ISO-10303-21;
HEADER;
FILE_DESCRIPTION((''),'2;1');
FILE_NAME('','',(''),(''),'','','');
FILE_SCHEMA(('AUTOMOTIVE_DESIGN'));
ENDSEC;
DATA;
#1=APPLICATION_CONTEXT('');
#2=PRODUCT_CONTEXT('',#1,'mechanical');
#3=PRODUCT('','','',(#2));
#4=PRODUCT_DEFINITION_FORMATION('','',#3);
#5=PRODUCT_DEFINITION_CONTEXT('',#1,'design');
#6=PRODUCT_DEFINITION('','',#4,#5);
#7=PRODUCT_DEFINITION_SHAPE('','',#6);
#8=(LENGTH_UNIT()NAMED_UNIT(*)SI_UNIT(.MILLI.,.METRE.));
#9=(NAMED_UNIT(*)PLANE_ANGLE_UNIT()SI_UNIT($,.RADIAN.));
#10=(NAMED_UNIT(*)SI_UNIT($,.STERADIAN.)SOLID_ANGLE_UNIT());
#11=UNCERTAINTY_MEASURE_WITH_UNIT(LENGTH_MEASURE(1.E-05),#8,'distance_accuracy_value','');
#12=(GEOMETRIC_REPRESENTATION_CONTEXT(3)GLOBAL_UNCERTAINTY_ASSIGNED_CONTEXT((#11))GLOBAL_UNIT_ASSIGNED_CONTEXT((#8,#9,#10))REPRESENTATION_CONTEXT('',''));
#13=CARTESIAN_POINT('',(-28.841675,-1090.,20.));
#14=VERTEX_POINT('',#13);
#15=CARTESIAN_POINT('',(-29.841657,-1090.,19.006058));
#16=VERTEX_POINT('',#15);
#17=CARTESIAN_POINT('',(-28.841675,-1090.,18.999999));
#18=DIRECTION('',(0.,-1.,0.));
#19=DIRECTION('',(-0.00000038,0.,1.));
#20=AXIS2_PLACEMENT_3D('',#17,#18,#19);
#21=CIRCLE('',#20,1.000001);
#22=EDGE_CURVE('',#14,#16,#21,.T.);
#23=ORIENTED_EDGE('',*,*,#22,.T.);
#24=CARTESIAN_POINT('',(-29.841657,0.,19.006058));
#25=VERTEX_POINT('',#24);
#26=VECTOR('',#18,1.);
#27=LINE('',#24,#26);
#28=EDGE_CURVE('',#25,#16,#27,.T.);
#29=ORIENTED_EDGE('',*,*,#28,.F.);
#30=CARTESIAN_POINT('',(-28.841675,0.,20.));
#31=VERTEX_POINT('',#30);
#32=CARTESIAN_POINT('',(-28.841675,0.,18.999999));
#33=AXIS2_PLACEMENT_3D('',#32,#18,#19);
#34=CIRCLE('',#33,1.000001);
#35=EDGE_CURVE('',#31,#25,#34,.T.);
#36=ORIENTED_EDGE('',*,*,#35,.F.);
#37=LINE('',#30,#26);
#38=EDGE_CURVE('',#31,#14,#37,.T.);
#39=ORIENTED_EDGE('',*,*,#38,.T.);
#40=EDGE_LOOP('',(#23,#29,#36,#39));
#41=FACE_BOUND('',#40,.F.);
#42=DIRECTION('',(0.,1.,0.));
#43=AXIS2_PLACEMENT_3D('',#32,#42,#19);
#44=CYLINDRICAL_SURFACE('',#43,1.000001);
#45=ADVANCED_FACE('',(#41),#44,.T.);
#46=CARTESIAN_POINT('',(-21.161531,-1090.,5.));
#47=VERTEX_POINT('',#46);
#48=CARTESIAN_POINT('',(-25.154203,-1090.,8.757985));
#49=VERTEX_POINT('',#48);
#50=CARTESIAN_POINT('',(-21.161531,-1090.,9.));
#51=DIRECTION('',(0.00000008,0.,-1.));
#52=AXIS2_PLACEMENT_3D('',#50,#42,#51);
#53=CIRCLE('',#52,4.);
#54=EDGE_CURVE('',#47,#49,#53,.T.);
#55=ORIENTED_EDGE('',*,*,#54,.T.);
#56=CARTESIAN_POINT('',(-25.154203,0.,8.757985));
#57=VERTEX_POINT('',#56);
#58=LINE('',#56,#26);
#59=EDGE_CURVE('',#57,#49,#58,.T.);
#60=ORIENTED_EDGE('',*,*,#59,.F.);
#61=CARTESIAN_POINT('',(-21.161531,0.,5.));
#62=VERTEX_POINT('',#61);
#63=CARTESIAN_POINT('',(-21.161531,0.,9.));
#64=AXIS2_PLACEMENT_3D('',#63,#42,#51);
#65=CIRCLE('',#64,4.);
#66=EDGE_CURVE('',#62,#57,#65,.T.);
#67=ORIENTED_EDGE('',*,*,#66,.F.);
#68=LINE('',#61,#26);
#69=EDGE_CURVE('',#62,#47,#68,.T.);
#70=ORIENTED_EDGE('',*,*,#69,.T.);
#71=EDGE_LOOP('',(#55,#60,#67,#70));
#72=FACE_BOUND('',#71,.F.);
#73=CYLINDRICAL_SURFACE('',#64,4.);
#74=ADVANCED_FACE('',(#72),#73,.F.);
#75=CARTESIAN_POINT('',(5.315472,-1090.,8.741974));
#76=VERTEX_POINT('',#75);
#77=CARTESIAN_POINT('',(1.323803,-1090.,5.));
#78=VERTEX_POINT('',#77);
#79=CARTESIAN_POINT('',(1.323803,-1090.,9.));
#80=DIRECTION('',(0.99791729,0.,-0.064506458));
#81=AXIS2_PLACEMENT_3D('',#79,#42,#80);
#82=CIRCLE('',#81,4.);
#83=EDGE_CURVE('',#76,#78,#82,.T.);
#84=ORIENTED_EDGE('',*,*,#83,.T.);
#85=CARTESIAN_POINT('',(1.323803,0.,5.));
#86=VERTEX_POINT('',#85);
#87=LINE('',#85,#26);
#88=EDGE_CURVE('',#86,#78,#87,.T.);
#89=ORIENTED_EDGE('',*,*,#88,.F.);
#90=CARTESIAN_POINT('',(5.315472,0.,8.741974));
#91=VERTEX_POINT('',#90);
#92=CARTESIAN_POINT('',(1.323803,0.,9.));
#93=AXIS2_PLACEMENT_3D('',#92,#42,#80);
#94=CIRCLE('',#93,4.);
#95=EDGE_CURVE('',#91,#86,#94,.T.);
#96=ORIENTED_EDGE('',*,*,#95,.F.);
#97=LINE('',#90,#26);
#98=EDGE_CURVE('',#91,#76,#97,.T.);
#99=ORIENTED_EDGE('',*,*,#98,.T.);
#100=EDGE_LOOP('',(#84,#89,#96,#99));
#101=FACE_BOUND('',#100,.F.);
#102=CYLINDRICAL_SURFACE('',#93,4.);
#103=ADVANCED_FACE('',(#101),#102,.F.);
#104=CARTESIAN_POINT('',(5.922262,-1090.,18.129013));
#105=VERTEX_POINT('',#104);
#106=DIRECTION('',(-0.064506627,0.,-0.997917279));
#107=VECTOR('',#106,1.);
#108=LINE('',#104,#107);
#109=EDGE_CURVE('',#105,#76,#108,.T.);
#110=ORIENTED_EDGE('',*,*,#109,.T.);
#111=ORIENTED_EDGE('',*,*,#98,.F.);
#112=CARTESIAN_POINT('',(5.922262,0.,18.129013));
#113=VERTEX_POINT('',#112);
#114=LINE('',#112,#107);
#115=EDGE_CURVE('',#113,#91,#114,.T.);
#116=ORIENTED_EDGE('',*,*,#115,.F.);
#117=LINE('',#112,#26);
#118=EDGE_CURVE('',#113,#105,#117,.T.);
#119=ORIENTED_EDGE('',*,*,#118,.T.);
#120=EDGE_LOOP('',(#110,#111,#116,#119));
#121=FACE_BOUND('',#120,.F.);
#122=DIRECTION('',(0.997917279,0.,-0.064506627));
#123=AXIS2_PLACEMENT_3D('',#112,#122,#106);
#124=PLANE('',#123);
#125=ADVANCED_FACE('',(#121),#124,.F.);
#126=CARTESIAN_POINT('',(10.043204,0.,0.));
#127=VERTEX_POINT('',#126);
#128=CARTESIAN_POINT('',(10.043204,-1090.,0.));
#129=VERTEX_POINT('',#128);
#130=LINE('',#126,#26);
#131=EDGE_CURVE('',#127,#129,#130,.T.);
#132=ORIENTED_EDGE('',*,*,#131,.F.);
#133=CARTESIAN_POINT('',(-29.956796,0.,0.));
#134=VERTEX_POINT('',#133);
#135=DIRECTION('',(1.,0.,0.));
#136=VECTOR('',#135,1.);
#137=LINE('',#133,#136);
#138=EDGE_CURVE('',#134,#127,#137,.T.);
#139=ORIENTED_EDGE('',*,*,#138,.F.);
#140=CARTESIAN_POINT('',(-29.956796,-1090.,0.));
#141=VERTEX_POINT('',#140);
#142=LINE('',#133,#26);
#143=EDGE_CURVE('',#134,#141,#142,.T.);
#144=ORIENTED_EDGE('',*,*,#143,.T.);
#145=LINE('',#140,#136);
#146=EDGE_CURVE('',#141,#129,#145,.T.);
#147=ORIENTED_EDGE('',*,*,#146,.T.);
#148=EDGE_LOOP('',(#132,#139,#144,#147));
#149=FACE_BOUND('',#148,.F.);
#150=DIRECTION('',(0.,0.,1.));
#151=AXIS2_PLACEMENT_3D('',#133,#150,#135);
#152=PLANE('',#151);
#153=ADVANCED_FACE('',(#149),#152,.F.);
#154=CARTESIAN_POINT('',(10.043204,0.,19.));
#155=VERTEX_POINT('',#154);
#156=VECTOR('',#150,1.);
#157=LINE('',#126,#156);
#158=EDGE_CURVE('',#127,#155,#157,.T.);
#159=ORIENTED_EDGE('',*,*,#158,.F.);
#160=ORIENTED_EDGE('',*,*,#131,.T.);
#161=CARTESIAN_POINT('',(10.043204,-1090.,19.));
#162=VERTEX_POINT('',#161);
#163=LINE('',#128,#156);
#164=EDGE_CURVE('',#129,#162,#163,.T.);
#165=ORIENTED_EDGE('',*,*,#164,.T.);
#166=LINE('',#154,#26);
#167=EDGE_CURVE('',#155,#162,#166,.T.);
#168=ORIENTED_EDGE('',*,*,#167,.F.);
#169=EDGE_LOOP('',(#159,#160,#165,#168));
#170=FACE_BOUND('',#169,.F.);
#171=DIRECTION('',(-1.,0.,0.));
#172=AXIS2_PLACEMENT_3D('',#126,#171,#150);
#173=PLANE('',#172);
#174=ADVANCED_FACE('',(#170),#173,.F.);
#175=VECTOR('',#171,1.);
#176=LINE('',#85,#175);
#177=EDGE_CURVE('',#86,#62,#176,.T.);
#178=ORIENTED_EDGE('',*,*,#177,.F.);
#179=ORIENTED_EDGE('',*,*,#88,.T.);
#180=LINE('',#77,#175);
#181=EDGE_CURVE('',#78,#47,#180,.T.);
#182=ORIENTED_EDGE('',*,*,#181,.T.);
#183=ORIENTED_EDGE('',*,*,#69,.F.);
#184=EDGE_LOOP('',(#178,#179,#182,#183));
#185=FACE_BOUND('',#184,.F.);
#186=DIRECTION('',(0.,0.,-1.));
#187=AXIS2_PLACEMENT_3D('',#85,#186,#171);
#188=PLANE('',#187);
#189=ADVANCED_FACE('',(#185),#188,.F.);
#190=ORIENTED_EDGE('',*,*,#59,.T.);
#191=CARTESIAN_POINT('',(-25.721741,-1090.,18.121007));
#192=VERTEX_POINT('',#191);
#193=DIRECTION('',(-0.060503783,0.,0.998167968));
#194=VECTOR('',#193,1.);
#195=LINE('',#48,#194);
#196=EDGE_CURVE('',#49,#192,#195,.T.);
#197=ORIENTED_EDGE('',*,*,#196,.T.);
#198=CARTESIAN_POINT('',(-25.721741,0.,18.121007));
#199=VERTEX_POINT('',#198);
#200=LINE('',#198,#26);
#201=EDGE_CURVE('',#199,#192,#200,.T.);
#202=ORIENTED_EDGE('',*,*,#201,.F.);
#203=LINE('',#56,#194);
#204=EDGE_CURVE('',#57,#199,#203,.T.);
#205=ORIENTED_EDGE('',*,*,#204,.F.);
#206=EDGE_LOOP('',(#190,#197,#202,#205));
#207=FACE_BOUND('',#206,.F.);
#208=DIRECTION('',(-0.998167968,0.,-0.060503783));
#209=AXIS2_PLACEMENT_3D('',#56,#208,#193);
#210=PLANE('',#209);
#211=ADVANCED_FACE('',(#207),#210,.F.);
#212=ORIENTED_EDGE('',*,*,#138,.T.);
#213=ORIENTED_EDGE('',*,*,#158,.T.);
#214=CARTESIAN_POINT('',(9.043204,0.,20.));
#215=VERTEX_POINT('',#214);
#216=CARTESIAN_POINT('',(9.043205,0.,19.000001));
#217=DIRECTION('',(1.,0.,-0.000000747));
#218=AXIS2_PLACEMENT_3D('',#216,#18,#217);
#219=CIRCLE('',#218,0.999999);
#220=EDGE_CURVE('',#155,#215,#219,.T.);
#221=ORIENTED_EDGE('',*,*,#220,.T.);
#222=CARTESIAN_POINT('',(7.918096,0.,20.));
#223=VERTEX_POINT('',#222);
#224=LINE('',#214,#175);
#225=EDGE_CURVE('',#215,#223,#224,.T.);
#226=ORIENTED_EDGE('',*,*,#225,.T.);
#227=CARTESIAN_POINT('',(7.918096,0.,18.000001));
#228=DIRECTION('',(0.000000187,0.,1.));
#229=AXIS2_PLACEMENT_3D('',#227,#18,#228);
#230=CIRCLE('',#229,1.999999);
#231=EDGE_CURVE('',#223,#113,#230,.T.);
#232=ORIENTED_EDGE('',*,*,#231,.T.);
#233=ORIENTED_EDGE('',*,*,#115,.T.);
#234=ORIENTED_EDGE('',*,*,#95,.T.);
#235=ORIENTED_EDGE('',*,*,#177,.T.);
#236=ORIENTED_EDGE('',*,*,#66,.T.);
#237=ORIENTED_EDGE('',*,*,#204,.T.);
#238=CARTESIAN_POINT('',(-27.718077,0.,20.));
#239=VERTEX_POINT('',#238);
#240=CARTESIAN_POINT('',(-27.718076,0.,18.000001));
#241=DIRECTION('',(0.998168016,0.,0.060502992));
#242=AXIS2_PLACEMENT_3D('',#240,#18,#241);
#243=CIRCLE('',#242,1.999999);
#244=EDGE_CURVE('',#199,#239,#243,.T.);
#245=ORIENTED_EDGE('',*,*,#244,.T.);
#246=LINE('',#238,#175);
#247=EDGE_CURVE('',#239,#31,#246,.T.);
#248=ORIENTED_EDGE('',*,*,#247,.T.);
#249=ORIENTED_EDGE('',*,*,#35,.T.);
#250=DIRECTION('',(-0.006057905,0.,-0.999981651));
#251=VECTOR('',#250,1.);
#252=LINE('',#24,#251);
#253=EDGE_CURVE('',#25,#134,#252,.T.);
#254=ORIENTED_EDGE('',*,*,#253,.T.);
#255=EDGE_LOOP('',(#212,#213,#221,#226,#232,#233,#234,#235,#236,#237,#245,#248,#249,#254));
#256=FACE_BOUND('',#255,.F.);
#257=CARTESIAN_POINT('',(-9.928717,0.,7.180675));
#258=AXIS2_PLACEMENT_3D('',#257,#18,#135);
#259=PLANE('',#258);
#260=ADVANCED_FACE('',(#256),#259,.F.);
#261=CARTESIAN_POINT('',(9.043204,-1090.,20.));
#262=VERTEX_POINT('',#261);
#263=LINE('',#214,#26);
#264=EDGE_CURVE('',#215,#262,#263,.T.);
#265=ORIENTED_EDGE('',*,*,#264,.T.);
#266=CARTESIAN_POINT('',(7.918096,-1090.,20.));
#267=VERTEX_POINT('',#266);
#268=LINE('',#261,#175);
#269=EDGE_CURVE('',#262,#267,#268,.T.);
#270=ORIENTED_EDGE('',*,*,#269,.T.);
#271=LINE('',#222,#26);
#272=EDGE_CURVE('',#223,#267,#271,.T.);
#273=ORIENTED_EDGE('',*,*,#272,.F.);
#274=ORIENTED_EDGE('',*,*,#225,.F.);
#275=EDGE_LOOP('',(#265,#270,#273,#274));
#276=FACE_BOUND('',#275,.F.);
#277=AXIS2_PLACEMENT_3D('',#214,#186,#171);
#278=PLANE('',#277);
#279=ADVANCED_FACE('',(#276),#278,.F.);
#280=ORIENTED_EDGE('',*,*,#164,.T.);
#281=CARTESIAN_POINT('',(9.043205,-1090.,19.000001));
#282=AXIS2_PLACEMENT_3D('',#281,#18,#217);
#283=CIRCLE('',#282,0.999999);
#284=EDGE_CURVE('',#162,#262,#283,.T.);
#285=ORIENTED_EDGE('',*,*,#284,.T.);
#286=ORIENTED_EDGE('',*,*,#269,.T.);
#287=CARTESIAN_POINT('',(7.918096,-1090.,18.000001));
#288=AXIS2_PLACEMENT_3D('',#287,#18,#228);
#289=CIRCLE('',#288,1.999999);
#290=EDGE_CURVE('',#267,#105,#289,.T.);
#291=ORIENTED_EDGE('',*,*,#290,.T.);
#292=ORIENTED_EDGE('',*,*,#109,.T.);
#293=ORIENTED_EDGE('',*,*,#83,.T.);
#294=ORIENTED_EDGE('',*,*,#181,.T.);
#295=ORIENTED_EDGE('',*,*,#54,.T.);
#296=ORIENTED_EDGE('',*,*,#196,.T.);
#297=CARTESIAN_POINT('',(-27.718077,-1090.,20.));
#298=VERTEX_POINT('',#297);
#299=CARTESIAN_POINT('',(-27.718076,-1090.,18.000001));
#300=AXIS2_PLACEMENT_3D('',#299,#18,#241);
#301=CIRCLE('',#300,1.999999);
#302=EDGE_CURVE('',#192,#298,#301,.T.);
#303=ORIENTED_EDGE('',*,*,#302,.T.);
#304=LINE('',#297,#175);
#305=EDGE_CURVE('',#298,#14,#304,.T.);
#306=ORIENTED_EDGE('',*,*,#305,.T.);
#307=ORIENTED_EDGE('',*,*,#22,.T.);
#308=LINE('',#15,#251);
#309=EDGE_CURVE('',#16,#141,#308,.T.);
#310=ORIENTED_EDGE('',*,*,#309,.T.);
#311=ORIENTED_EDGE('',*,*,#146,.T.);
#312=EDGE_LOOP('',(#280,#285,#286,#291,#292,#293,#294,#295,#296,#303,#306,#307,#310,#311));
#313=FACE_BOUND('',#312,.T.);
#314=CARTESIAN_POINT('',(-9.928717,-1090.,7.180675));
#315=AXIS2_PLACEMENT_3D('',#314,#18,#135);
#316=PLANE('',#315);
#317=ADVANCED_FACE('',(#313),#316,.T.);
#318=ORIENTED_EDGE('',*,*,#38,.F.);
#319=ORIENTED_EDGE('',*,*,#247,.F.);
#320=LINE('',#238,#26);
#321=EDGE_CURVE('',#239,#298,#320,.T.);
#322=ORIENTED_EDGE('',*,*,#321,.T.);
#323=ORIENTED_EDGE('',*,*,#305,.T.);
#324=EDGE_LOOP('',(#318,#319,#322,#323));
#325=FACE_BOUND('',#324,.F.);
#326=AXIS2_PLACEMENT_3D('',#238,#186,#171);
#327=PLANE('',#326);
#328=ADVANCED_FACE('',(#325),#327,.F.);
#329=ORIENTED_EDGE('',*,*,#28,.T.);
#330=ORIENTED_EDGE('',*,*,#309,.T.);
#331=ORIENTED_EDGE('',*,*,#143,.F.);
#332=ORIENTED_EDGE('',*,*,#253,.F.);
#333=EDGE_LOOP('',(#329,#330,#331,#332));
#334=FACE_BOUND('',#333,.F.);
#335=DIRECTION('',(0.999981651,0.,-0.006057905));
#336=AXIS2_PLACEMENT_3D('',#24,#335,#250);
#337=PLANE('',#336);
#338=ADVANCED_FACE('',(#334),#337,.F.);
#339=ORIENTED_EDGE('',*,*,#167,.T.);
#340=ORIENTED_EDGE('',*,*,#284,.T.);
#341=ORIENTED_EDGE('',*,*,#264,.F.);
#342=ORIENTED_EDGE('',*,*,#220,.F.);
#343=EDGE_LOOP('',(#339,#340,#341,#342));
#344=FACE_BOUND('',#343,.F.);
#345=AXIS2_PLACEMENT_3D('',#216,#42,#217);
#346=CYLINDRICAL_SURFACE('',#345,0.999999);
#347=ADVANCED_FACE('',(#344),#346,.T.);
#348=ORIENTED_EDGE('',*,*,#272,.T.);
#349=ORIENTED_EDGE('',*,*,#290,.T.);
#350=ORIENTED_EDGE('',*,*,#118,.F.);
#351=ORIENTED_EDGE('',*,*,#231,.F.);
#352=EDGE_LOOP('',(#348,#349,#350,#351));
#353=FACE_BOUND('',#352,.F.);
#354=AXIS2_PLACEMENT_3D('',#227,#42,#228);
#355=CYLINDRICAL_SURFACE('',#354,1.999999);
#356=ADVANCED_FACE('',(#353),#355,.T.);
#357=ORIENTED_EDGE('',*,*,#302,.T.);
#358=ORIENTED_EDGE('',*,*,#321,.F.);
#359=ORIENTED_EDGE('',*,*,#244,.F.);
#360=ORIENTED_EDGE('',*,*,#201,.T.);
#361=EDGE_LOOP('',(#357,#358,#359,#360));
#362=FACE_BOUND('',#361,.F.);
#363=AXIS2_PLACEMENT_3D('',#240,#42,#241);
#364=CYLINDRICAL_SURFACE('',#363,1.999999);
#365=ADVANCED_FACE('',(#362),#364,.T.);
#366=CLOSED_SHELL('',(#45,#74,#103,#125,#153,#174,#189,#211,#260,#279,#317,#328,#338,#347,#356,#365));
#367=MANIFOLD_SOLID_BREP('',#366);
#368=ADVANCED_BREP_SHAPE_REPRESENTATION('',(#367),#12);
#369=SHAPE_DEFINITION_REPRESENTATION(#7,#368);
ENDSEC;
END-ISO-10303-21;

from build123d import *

# Parameters (mm, degrees)
F1_DEPTH = 1090


with BuildPart() as f1:
    # F0 (on Front) → F1 (new body)
    with BuildSketch(Plane.XZ):
        with BuildLine():
            Line((-29.841657, 19.006058), (-29.956796, 0))
            Line((-29.956796, 0), (10.043204, 0))
            Line((10.043204, 0), (10.043204, 19))
            ThreePointArc((10.043204, 19), (9.750311, 19.707107), (9.043204, 20))
            Line((9.043204, 20), (7.918096, 20))
            ThreePointArc((7.918096, 20), (6.550256, 19.459114), (5.922262, 18.129013))
            Line((5.922262, 18.129013), (5.315472, 8.741974))
            ThreePointArc((5.315472, 8.741974), (4.059483, 6.081772), (1.323803, 5))
            Line((1.323803, 5), (-21.161531, 5))
            ThreePointArc((-21.161531, 5), (-23.903058, 6.087264), (-25.154203, 8.757985))
            Line((-25.154203, 8.757985), (-25.721741, 18.121007))
            ThreePointArc((-25.721741, 18.121007), (-26.347313, 19.456368), (-27.718077, 20))
            Line((-27.718077, 20), (-28.841675, 20))
            ThreePointArc((-28.841675, 20), (-29.546637, 19.709245), (-29.841657, 19.006058))
        make_face()
    extrude(amount=F1_DEPTH)


solid = f1.part
